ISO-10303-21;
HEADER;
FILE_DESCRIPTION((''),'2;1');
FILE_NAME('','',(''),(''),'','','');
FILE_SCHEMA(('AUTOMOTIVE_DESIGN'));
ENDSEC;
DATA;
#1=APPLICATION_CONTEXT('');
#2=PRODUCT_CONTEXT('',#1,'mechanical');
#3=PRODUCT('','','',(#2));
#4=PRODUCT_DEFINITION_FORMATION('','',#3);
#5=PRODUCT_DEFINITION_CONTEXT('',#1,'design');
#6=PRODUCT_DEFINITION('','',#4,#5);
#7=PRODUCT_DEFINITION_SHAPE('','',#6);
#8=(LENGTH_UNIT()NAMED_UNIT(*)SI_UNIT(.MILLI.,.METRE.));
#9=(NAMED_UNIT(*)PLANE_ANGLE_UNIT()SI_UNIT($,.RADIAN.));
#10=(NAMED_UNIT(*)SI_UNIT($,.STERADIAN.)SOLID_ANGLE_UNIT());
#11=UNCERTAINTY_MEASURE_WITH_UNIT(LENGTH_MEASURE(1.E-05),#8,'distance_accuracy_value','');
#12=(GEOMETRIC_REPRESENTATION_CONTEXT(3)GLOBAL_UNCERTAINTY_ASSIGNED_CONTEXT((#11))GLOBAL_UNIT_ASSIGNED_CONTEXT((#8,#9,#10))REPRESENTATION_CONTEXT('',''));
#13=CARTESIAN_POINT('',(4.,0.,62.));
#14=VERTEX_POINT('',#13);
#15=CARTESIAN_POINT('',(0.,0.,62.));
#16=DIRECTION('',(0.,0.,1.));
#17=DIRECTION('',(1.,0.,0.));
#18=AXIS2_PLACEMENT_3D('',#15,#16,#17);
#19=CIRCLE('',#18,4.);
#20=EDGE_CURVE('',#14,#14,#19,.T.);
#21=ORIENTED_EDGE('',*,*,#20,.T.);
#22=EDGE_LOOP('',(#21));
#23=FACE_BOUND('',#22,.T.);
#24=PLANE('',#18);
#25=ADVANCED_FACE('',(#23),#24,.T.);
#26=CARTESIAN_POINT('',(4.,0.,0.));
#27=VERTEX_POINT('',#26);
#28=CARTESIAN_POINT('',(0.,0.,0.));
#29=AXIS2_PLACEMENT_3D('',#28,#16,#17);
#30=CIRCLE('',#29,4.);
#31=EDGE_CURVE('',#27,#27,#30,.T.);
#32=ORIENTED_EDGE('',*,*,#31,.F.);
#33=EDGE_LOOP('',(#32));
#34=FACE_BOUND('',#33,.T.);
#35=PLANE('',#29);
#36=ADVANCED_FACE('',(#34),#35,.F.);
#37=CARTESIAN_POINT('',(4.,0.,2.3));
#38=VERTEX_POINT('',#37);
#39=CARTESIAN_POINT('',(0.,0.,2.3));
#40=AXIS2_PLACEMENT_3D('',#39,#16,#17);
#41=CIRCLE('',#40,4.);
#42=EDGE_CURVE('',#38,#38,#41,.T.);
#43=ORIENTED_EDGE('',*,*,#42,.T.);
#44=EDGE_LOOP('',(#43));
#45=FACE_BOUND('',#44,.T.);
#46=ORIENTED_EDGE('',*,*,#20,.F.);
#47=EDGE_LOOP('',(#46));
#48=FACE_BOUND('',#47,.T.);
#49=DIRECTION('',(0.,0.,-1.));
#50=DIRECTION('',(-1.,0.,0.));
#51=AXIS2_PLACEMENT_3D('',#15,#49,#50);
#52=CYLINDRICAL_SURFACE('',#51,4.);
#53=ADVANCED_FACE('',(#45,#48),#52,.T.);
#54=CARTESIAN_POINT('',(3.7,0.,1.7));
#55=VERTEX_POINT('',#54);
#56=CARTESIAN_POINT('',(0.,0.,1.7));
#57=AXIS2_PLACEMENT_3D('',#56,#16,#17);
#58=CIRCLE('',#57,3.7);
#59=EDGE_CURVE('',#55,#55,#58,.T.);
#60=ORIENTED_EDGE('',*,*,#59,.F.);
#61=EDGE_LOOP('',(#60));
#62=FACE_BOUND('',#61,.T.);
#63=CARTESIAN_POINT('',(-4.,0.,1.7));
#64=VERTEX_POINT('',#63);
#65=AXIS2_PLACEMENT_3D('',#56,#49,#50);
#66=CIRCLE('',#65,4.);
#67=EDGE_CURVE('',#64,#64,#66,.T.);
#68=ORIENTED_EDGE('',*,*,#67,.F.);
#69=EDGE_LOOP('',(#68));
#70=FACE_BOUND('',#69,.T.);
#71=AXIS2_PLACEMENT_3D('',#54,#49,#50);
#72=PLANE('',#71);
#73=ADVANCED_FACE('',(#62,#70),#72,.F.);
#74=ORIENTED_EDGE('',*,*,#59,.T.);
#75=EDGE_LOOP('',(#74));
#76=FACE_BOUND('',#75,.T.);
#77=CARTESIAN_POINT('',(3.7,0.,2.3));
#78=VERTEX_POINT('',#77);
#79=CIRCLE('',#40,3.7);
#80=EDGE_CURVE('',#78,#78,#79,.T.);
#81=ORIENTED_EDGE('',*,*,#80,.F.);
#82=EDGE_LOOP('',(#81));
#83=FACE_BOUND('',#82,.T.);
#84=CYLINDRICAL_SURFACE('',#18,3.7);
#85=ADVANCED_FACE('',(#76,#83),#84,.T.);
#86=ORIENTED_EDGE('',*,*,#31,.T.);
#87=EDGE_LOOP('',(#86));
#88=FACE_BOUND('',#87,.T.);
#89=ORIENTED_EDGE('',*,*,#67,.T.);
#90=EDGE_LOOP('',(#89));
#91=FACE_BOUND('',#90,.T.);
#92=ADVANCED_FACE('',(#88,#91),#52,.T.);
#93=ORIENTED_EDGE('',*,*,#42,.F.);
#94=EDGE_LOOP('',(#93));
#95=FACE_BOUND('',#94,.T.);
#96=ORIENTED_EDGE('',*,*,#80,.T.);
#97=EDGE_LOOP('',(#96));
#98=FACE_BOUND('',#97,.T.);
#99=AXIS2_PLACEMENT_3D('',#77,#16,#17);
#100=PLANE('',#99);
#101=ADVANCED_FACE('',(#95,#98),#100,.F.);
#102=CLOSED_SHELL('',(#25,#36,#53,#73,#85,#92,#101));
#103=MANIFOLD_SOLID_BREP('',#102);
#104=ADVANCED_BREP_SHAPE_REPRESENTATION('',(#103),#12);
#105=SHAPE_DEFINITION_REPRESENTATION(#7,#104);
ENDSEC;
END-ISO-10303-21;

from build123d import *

# Parameters (mm, degrees)
SKETCH1_R           = 4
BOSS_EXTRUDE1_DEPTH = 62
SKETCH2_W           = 0.6
SKETCH2_H           = 0.6


with BuildPart() as part:
    # Sketch1 → Boss-Extrude1 (new body)
    with BuildSketch(Plane.XY):
        Circle(SKETCH1_R)
    extrude(amount=BOSS_EXTRUDE1_DEPTH)

    # Sketch2 → Cut-Revolve1 (revolve, cut)
    with BuildSketch(Plane(origin=(0, 0, 0), x_dir=(1, 0, 0), z_dir=(0, 1, 0))):
        with Locations((4, -2)):
            Rectangle(SKETCH2_W, SKETCH2_H)
    revolve(axis=Axis((0, 0, 62), (0, 0, -1)), mode=Mode.SUBTRACT)


solid = part.part
